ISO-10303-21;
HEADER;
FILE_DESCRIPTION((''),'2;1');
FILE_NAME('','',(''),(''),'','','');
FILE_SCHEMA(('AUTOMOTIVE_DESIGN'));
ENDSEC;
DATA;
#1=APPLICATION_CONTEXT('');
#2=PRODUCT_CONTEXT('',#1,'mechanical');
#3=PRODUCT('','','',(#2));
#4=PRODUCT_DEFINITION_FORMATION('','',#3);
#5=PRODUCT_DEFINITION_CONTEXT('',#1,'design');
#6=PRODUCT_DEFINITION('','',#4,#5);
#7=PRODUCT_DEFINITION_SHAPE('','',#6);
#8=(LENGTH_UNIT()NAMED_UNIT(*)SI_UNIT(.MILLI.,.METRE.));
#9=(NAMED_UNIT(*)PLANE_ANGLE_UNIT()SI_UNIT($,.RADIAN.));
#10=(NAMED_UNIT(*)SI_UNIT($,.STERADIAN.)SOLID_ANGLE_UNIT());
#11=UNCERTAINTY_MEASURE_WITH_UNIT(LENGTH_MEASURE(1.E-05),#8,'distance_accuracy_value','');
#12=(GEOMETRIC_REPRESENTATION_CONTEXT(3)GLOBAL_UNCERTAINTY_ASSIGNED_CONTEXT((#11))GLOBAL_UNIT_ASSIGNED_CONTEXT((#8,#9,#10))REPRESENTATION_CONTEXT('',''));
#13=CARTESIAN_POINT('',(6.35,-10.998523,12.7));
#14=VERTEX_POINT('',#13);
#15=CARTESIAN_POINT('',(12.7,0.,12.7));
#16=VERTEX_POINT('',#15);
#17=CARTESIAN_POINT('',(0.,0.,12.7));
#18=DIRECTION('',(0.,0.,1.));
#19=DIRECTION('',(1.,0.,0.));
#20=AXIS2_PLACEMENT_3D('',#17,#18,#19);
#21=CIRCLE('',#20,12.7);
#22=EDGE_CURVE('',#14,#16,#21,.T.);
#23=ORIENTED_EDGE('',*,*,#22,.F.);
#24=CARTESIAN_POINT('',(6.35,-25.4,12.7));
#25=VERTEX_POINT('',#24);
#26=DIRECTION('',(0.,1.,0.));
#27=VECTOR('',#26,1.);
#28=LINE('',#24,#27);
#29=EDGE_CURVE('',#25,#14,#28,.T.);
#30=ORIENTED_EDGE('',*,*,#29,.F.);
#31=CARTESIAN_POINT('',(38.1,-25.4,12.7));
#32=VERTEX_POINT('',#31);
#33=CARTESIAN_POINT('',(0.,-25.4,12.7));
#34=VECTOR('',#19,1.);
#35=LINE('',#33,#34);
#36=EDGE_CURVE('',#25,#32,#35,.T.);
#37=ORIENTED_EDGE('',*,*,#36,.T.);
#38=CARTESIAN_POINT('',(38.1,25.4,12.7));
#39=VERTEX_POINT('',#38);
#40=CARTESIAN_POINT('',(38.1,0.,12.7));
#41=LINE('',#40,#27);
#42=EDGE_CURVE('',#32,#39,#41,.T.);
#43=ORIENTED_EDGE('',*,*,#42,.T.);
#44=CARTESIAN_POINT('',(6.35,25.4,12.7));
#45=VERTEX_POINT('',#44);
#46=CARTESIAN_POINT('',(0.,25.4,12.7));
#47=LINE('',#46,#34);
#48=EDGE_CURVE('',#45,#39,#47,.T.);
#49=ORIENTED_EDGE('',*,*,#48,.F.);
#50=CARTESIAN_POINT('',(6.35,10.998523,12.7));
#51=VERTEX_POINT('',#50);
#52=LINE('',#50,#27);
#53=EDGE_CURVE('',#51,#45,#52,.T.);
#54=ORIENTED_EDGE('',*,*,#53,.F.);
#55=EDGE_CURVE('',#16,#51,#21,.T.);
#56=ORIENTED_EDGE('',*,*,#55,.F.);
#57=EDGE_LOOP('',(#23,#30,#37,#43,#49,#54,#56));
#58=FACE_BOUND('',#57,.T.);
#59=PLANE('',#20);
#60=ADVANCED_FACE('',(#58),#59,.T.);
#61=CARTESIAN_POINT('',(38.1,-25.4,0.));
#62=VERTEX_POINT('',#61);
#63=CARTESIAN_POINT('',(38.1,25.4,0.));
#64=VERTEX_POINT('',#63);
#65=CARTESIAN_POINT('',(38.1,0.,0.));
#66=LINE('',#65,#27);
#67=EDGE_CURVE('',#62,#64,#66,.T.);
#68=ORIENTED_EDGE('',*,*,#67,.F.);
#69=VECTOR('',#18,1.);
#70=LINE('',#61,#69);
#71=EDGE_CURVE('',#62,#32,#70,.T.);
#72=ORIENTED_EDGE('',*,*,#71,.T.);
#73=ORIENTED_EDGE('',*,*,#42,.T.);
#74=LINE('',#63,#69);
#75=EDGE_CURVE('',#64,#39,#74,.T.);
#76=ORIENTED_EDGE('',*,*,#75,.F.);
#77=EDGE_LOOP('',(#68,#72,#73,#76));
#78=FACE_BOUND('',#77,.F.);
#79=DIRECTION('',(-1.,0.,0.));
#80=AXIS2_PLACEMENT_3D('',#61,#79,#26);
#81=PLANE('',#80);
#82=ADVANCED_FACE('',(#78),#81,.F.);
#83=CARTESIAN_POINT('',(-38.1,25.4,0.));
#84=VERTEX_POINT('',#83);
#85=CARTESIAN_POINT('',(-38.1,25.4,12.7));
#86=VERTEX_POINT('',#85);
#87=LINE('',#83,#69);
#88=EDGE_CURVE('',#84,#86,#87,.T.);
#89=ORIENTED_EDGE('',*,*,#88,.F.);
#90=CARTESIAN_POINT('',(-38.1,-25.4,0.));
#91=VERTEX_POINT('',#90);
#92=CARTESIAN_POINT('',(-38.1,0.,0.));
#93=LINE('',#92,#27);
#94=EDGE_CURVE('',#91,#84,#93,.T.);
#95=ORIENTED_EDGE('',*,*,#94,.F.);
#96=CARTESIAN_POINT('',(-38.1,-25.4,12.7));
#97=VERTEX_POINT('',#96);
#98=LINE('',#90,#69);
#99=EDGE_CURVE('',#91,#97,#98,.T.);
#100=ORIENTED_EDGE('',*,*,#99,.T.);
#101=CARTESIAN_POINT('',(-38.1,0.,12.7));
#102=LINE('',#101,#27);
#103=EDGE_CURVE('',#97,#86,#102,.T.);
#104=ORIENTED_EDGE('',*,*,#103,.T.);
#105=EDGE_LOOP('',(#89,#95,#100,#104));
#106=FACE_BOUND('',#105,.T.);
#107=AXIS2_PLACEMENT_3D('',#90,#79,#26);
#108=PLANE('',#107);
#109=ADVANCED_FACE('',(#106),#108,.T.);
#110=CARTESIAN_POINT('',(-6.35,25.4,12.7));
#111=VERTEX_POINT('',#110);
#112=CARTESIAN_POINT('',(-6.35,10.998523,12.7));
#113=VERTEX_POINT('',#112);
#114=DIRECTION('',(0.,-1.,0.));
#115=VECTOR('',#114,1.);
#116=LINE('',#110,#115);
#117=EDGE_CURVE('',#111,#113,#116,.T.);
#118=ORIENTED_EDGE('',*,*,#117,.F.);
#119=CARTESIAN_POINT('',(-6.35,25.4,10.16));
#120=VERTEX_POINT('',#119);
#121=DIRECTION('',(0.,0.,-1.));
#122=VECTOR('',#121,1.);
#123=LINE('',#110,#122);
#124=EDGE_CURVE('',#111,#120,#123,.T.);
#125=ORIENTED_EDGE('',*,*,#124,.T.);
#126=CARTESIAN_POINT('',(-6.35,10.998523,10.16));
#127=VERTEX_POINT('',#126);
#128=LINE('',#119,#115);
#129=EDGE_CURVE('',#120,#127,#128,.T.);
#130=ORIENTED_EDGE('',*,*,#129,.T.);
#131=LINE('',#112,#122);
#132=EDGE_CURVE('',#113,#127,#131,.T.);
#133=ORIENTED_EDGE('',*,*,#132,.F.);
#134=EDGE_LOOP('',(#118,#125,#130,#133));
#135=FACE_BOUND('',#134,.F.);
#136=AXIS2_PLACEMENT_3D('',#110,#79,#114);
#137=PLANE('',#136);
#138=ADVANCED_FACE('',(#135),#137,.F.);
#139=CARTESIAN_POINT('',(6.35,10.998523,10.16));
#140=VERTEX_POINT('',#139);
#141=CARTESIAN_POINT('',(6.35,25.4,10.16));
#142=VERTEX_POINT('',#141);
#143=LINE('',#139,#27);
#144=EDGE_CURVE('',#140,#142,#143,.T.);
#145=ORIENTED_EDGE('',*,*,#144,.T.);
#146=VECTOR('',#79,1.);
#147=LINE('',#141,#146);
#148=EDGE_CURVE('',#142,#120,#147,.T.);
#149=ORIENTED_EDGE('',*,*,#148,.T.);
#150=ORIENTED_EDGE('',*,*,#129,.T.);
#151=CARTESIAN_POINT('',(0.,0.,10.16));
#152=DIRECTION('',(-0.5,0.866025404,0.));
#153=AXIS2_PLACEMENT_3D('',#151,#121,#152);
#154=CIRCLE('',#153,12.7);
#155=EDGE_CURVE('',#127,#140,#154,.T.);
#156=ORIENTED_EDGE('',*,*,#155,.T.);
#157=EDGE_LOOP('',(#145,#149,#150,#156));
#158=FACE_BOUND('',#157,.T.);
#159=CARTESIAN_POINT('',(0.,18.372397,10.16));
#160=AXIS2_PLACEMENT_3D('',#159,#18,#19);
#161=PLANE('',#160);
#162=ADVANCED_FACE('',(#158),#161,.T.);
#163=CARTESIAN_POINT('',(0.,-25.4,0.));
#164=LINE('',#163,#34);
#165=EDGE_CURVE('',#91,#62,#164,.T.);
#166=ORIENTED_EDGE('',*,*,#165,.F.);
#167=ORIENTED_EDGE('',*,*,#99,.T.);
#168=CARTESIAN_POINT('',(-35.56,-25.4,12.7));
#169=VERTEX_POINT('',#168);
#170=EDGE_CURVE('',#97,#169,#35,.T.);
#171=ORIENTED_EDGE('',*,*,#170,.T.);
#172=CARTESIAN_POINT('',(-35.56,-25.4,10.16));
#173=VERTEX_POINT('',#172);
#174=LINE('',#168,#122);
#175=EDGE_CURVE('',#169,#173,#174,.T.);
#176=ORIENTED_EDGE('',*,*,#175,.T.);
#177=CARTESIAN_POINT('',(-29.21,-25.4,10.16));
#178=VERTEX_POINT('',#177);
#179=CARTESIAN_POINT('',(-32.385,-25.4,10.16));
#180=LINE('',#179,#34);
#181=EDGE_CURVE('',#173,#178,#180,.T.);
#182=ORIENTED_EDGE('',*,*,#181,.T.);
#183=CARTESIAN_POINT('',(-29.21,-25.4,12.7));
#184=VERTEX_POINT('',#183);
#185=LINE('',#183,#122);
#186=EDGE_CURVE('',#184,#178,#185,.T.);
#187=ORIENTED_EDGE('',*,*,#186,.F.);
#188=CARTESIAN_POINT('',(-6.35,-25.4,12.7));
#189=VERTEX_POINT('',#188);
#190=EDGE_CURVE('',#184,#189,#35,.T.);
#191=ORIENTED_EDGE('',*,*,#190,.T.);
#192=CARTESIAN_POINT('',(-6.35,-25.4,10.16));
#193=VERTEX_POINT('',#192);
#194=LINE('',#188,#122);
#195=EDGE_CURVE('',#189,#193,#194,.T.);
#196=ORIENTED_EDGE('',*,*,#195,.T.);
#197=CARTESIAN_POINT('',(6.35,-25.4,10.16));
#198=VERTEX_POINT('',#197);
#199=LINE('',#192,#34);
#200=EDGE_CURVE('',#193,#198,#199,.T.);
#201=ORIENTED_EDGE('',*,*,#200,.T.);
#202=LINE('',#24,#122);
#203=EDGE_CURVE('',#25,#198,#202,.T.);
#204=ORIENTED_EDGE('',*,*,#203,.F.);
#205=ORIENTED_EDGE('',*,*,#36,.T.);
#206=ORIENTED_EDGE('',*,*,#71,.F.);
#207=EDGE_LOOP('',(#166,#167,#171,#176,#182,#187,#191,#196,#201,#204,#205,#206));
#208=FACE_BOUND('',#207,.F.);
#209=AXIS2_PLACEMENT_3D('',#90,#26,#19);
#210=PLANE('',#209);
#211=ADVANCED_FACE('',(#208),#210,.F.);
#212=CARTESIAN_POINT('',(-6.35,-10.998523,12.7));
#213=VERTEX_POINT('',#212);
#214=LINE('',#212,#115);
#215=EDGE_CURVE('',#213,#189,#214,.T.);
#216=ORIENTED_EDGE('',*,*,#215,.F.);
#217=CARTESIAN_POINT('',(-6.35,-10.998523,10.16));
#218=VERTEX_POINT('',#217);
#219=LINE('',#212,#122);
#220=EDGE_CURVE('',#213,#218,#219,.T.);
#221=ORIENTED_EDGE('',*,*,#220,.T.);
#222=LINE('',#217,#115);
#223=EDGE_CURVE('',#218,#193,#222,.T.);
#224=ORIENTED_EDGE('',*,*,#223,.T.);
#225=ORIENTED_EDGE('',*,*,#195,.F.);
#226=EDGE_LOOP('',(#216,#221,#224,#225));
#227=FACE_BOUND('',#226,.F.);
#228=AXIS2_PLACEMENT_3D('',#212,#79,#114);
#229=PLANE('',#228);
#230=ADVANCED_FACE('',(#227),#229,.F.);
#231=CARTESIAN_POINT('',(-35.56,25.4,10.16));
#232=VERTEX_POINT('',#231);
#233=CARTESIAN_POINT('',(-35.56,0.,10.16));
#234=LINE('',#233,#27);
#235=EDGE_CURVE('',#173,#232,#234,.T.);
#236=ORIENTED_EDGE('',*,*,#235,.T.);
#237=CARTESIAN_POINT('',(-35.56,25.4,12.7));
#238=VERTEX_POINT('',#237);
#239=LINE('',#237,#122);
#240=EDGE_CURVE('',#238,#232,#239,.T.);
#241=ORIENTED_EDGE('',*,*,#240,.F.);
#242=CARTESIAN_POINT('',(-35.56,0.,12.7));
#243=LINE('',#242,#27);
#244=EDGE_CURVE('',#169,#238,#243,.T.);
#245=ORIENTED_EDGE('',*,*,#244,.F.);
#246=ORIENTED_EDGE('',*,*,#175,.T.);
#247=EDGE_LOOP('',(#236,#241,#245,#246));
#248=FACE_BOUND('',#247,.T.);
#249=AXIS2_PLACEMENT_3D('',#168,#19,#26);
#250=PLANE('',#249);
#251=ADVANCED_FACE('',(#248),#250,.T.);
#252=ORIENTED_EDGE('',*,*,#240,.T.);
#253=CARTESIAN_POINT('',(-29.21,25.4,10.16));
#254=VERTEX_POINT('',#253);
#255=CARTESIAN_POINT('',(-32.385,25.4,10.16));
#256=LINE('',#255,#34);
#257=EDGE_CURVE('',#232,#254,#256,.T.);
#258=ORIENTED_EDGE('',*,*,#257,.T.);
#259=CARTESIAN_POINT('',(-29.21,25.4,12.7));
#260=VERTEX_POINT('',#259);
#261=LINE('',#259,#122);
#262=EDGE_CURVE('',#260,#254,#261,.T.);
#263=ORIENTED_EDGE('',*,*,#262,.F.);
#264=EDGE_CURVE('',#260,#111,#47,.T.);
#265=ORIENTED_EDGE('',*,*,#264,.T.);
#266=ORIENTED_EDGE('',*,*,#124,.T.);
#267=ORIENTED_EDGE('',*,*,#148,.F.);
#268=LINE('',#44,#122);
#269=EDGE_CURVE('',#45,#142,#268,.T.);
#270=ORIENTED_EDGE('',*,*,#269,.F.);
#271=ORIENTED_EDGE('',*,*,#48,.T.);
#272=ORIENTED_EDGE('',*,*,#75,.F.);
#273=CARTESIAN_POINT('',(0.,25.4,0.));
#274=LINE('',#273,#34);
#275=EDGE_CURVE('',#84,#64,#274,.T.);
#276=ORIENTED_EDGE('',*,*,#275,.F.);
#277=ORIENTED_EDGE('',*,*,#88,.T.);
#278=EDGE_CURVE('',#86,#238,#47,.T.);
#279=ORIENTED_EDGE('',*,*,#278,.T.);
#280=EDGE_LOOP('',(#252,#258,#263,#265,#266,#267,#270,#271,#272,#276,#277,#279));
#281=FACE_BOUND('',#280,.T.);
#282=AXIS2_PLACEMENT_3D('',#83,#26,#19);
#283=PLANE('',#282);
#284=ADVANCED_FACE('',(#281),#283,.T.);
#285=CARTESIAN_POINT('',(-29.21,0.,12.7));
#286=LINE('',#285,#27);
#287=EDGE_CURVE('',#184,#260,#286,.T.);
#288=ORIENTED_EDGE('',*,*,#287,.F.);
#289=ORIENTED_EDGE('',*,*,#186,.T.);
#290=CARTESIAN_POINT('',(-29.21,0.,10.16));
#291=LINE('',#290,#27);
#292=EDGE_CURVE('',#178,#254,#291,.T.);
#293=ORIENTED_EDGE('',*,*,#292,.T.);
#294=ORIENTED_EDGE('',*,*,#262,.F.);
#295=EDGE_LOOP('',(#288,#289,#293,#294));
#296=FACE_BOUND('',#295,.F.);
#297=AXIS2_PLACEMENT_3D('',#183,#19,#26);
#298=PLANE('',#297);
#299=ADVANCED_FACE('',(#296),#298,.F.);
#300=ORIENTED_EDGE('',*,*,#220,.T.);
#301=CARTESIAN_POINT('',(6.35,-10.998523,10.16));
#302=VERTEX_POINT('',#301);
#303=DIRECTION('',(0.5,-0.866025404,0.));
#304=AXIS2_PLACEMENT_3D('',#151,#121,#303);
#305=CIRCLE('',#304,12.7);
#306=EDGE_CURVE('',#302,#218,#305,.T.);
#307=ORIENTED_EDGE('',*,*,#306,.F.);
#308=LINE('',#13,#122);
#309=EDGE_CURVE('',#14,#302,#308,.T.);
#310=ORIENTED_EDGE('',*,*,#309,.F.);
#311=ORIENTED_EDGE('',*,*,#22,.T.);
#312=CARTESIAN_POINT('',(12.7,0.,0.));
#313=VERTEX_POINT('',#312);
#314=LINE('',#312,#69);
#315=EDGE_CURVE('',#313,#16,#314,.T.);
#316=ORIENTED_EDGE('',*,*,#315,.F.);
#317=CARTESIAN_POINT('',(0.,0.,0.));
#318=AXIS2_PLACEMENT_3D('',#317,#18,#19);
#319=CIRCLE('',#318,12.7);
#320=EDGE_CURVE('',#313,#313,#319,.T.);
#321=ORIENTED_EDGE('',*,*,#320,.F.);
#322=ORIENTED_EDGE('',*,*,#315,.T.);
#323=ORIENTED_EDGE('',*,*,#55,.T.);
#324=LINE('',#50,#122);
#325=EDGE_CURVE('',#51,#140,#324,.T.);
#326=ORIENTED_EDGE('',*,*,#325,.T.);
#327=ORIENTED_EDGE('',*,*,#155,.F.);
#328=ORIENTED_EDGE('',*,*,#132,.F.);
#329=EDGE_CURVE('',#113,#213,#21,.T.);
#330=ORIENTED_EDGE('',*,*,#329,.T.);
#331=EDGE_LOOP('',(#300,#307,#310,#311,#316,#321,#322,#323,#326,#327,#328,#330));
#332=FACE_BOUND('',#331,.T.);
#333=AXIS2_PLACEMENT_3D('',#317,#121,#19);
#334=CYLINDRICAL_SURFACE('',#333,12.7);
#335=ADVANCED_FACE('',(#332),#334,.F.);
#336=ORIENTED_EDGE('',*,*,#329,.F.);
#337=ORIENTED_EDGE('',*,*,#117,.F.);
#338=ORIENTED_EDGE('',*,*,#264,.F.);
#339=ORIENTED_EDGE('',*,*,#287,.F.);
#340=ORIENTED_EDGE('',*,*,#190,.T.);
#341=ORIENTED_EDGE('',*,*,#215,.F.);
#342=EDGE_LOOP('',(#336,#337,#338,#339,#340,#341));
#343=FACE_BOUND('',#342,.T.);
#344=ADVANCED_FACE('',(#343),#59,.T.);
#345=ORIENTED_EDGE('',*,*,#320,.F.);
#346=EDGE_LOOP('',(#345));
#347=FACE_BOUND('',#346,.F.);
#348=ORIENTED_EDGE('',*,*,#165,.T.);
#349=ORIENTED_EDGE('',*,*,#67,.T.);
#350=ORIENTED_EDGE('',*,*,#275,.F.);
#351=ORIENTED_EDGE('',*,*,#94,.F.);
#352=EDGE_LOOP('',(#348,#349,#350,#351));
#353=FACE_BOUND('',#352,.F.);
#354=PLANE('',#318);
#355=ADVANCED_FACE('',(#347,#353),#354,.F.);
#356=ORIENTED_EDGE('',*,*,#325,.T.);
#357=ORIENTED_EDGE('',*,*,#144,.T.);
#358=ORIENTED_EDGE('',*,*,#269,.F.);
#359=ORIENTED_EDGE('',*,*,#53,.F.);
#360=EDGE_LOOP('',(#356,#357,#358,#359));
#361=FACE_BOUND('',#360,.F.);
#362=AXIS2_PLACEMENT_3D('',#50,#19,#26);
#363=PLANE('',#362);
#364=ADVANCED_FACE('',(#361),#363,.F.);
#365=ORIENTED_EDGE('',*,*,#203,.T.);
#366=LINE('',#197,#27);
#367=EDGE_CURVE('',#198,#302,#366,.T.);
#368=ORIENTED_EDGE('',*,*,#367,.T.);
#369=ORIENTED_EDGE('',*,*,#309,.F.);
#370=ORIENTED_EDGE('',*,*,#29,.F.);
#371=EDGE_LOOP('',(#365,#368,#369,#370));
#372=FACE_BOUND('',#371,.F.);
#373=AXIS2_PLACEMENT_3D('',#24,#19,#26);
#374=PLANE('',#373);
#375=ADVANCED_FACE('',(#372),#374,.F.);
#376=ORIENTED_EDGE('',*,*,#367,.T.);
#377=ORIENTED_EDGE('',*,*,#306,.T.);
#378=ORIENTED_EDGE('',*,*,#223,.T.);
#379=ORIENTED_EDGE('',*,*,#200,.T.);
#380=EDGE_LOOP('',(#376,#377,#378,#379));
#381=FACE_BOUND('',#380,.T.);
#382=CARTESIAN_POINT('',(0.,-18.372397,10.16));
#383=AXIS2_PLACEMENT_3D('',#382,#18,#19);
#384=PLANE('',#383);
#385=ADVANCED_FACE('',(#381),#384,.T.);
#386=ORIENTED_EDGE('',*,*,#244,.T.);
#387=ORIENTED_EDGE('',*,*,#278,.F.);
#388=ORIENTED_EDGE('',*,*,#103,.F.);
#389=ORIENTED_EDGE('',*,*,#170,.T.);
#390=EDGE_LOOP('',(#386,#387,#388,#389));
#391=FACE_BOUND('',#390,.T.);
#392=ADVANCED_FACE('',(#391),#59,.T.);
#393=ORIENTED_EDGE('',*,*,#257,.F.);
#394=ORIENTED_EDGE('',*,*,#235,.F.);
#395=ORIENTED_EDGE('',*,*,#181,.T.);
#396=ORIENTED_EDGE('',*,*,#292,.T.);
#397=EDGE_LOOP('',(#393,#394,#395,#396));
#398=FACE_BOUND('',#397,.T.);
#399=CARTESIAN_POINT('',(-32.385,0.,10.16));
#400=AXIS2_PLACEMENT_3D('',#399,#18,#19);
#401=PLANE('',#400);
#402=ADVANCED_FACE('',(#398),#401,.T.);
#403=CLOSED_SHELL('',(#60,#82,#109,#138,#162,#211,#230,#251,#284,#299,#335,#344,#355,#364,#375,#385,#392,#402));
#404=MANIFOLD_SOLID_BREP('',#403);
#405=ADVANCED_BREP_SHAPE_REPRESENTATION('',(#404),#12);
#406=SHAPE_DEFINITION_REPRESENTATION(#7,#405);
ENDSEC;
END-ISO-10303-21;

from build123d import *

# Parameters (mm, degrees)
F0_W     = 76.2
F0_H     = 50.8
F0_R     = 12.7
F1_DEPTH = 12.7
F2_W     = 6.35
F2_H     = 50.8
F3_DEPTH = 2.54


with BuildPart() as f1:
    # F0 (on Top) → F1 (new body)
    with BuildSketch(Plane.XY):
        Rectangle(F0_W, F0_H)
        Circle(F0_R, mode=Mode.SUBTRACT)
    extrude(amount=F1_DEPTH)

    # F2 (on face) → F3 (cut)
    with BuildSketch(Plane.XY.offset(12.7)):
        with Locations((-32.385, 0)):
            Rectangle(F2_W, F2_H)
        with BuildLine():
            Line((6.35, 25.4), (-6.35, 25.4))
            Line((-6.35, 25.4), (-6.35, 10.9985226281))
            ThreePointArc((-6.35, 10.9985226281), (0, 12.7), (6.35, 10.9985226281))
            Line((6.35, 10.9985226281), (6.35, 25.4))
        make_face()
        with BuildLine():
            Line((-6.35, -10.9985226281), (-6.35, -25.4))
            Line((-6.35, -25.4), (6.35, -25.4))
            Line((6.35, -25.4), (6.35, -10.9985226281))
            ThreePointArc((6.35, -10.9985226281), (0, -12.7), (-6.35, -10.9985226281))
        make_face()
    extrude(amount=-F3_DEPTH, mode=Mode.SUBTRACT)


solid = f1.part
